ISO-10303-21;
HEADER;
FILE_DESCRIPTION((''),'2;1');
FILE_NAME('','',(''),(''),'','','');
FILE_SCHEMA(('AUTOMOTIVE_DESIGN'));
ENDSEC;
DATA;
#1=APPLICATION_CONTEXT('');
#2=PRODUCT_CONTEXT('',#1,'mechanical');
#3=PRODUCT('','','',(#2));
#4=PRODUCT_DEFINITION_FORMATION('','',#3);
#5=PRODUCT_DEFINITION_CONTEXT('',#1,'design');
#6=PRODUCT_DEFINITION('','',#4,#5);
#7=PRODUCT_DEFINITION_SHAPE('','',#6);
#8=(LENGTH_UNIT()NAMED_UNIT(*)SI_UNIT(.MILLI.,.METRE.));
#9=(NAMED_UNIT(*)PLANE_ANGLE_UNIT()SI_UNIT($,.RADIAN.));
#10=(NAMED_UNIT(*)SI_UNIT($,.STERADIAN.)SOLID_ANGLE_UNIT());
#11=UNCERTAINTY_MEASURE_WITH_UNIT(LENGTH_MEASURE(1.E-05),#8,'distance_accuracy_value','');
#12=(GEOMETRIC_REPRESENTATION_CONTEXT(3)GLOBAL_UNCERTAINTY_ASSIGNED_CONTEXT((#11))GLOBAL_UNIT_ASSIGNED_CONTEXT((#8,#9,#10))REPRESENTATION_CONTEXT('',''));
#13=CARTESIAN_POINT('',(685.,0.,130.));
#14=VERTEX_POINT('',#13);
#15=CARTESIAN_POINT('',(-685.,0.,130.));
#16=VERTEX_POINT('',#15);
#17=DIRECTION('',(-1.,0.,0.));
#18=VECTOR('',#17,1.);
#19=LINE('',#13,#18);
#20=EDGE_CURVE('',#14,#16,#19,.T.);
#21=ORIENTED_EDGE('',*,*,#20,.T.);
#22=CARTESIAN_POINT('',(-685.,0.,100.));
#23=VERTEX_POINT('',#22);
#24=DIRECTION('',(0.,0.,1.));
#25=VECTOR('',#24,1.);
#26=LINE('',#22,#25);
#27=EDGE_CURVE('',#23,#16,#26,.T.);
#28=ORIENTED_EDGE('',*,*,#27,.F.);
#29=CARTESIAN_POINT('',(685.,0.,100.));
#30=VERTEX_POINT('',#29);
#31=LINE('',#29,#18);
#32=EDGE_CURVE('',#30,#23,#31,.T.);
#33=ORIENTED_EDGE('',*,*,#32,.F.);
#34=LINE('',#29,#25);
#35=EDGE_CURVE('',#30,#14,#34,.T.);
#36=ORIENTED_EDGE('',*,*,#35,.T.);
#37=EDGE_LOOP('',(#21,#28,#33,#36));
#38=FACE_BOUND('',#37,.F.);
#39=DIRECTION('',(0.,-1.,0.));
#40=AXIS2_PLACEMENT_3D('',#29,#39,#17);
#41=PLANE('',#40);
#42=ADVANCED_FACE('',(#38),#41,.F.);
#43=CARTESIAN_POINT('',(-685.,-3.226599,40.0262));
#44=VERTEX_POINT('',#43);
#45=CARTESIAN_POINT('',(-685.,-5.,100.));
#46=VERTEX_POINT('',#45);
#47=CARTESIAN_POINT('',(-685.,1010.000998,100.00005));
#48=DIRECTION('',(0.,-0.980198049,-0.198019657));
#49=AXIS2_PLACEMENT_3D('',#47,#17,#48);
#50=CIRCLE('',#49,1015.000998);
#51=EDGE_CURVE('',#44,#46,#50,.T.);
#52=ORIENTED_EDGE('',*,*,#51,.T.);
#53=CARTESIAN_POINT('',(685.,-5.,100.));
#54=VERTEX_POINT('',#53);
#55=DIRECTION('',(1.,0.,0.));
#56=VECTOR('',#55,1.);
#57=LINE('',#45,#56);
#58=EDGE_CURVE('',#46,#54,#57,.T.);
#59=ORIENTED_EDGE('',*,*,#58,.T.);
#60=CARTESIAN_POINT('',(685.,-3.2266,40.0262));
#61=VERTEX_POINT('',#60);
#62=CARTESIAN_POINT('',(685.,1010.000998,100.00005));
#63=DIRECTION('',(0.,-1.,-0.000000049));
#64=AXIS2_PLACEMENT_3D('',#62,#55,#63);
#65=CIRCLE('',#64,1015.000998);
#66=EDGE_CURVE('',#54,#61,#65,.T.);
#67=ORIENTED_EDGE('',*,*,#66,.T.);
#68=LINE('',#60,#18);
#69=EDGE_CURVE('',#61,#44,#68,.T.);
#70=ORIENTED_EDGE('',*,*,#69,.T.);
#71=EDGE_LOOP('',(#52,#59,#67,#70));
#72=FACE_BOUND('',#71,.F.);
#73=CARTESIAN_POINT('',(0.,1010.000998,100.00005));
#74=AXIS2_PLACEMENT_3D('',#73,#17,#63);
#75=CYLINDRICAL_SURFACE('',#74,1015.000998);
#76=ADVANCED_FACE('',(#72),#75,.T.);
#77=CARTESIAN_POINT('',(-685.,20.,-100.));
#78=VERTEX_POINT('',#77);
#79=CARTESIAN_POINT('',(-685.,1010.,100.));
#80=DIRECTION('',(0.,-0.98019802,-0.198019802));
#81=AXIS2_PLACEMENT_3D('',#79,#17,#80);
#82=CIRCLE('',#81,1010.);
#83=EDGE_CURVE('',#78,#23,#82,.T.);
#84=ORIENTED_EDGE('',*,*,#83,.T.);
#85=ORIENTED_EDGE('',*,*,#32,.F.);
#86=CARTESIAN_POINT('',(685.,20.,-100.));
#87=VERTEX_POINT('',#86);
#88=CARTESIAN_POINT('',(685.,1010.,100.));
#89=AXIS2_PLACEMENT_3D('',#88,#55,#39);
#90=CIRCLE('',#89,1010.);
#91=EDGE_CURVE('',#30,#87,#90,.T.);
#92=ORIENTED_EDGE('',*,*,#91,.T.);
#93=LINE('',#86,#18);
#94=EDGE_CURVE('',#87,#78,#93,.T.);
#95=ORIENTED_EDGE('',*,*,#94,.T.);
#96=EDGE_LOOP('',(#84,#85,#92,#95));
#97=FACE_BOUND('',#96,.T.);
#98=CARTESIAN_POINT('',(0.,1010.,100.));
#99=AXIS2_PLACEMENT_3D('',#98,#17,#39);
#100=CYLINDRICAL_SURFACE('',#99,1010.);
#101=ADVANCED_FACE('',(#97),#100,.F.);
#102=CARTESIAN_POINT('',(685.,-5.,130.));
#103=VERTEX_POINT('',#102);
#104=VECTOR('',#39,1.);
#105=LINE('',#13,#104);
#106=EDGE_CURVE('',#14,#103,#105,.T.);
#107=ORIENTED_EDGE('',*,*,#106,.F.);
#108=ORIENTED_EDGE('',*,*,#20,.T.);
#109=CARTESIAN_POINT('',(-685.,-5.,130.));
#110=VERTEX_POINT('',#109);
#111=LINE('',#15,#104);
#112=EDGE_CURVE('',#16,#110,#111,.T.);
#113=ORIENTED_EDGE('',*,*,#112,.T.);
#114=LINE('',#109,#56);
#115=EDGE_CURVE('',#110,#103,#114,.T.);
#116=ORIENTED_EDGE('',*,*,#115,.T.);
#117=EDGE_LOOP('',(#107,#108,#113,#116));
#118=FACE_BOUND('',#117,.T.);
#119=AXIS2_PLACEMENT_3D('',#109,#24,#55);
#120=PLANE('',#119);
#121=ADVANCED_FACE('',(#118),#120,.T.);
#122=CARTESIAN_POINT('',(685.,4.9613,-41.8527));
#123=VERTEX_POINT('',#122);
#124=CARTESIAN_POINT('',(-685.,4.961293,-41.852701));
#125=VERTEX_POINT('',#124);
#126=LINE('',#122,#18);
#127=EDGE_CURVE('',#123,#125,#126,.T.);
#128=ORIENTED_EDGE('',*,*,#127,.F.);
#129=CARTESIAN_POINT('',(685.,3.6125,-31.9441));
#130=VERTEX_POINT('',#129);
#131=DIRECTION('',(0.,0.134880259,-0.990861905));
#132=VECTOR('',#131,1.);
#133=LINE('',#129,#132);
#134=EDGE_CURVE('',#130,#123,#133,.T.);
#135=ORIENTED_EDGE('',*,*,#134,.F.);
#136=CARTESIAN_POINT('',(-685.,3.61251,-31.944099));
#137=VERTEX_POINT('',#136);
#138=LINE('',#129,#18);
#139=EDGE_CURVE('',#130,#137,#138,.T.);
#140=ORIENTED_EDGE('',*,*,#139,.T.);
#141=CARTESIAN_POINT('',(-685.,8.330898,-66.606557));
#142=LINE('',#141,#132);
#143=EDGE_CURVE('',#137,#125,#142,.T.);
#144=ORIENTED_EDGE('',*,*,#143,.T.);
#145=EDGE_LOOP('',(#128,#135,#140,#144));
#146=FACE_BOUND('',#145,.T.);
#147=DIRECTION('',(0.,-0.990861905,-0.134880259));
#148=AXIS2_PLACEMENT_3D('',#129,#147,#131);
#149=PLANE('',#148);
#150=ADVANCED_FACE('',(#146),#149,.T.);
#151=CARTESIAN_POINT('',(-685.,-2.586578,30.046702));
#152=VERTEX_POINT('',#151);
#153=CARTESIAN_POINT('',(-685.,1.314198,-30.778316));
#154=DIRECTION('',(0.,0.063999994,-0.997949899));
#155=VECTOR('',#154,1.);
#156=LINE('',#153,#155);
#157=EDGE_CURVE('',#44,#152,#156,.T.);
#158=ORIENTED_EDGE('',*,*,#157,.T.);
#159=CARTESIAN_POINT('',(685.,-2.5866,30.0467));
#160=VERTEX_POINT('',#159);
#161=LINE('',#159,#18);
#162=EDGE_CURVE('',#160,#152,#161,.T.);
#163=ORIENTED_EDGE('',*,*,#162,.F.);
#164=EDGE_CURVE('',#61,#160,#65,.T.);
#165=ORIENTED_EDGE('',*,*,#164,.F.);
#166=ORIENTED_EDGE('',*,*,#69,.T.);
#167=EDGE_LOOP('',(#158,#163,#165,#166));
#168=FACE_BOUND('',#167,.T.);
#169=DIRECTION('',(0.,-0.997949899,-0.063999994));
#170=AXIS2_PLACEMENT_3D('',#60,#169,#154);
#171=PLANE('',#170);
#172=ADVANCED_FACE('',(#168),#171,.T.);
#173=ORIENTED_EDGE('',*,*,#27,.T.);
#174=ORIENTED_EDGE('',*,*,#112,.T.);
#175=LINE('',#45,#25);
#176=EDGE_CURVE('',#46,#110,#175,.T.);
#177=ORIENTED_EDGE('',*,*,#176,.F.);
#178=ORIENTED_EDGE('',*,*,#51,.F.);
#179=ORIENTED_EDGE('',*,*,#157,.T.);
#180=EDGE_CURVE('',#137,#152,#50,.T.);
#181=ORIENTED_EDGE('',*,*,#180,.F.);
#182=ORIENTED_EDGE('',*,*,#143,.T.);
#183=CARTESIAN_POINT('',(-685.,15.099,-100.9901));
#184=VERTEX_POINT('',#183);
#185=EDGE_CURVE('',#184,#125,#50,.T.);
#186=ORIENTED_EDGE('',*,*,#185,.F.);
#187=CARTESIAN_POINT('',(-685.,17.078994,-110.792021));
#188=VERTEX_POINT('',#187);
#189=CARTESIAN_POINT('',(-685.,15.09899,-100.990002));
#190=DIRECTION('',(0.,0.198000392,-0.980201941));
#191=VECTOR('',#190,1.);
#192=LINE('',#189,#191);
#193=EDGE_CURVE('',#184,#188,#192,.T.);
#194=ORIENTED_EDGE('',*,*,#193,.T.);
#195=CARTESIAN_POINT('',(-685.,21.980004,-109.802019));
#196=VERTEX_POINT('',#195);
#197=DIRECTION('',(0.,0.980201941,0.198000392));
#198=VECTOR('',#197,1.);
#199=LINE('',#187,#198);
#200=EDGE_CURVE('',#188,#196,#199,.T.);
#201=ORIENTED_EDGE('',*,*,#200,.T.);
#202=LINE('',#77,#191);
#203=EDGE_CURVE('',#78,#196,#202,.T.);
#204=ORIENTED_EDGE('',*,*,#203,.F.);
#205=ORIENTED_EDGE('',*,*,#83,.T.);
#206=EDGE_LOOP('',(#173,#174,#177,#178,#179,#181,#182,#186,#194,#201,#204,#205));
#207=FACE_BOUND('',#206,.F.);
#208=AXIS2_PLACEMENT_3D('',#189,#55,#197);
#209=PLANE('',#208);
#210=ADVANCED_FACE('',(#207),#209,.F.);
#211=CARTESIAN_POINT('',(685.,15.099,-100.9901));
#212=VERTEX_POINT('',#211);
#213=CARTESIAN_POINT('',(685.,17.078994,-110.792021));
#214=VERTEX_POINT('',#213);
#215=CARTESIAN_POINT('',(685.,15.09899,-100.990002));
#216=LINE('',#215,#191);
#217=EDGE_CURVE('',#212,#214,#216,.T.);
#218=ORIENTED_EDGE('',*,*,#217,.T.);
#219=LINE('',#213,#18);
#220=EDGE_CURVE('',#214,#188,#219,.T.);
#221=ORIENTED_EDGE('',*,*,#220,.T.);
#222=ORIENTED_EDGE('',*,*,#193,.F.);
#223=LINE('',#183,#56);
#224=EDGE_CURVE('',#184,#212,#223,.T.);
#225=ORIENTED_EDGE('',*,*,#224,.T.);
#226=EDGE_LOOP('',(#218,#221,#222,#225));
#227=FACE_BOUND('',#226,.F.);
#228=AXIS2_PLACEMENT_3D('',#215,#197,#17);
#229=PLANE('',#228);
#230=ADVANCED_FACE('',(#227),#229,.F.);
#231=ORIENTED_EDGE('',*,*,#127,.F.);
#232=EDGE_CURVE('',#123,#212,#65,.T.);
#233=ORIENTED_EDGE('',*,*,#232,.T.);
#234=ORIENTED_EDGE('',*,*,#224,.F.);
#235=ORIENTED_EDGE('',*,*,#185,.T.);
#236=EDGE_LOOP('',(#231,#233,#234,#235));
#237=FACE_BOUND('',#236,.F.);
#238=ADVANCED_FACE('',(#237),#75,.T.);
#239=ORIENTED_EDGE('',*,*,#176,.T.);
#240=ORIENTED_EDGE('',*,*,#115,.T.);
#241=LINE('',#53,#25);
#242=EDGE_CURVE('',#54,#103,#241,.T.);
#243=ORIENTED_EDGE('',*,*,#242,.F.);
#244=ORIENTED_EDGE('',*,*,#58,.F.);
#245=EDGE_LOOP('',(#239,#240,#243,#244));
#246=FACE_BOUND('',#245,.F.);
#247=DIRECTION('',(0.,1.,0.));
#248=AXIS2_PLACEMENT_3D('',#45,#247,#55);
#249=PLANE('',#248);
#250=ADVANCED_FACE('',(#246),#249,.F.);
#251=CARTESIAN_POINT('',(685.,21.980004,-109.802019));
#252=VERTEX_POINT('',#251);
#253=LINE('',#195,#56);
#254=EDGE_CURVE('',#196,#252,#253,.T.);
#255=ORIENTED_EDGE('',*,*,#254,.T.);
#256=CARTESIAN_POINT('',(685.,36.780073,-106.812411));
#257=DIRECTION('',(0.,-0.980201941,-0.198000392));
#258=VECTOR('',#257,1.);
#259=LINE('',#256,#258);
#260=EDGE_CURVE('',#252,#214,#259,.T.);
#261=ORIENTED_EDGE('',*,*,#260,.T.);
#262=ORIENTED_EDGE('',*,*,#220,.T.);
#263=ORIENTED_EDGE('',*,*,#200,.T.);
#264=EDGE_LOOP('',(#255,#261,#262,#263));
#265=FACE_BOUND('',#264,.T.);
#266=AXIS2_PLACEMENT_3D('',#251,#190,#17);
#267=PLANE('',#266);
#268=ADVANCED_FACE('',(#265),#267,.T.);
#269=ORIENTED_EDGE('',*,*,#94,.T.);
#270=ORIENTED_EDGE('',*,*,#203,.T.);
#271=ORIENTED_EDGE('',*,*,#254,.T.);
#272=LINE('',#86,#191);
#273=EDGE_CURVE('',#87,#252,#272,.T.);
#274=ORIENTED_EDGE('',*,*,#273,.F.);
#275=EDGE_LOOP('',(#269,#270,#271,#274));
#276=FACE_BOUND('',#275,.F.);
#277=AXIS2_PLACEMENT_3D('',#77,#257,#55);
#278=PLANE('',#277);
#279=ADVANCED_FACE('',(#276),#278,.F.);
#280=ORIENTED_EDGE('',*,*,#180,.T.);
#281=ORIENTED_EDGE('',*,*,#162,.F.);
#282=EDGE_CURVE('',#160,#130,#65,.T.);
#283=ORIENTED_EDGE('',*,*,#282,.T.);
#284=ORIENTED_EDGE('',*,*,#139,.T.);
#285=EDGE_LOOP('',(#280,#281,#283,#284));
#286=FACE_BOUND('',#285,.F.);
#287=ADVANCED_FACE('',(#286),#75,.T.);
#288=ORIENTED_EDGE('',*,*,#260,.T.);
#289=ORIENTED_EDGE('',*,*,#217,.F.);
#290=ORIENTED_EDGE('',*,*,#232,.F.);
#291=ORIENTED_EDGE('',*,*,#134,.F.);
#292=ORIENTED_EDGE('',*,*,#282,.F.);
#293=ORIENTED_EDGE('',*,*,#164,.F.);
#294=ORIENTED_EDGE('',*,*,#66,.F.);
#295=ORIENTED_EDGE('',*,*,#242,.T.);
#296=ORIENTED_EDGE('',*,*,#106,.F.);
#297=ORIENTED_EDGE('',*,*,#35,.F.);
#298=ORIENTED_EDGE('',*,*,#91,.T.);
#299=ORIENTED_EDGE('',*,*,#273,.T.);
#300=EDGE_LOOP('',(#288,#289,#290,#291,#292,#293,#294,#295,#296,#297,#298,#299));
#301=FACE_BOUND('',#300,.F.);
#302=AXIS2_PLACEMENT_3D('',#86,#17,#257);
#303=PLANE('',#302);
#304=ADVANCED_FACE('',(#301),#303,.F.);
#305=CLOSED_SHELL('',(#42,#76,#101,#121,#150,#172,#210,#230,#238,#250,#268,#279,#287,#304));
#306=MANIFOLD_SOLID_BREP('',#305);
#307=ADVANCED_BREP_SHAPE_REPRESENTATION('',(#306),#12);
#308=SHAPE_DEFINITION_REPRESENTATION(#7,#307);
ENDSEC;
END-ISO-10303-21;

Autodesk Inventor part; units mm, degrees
ref_plane "YZ Plane" through (0, 0, 0) normal (1, 0, 0) x (0, 1, 0)
ref_plane "XZ Plane" through (0, 0, 0) normal (0, 1, 0) x (-1, 0, 0)
ref_plane "XY Plane" through (0, 0, 0) normal (0, 0, 1) x (1, 0, 0)
sketch "スケッチ2" plane through (0, 0, 0) normal (1, 0, 0) x (0, 1, 0)
  arc A0 (-5, 100) -> (15.099, -100.9901) centre (1010, 100) ccw
  arc A1 (0, 100) -> (20, -100) centre (1010, 100) ccw
  line L0 (0, 100) -> (-5, 100)
  line L1 (20, -100) -> (15.099, -100.9901)
  line L2 (0, -141.7896) -> (0, 140.2983) projected
  line L3 (-214.0147, 0) -> (1214.0025, 0) projected
  point P0 (0, 0)
  dimension "d5" = 5
  dimension "d6" = 100
  dimension "d9" = 20
  dimension "d10" = 100
extrude "押し出し2" add sketch "スケッチ2" along normal mid plane 1370
sketch "スケッチ3" plane through (-685, -5, 100) normal (0, 0, 1) x (1, 0, 0)
  line L0 (0, 0) -> (1370, 0) projected
  line L1 (1370, 5) -> (1370, 0) projected
  line L2 (0, 0) -> (1370, 0)
  line L3 (1370, 0) -> (1370, 5)
  line L4 (1370, 5) -> (0, 5)
  line L5 (0, 5) -> (0, 0)
  point P0 (685, 5)
extrude "押し出し3" add sketch "スケッチ3" along normal blind 30
sketch "スケッチ4" plane through (685, 20, -100) normal (0, 0.198, -0.9802) x (-1, 0, 0)
  line L0 (0, 15.099) -> (0, -5) projected
  line L1 (1370, 0) -> (0, 0) projected
  line L2 (0, -5) -> (1370, -5)
  line L3 (1370, -5) -> (1370, 0)
  line L4 (1370, 0) -> (0, 0)
  line L5 (0, 0) -> (0, -5)
  point P0 (685, 0.198)
extrude "押し出し4" add sketch "スケッチ4" along normal blind 10
sketch "スケッチ5" plane through (685, 0, 0) normal (1, 0, 0) x (0, 0, -1)
  line L0 (-40.0262, -3.2266) -> (-30.0467, -2.5866)
  line L1 (31.9441, 3.6125) -> (41.8527, 4.9613)
  arc A0 (-100, -5) -> (100.9901, 15.099) centre (-100, 1010) ccw projected
  point P0 (0, 0)
  dimension "d15" = 10
  dimension "d16" = 10
  dimension "d17" = 60
  dimension "d18" = 60
extrude "押し出し5" cut sketch "スケッチ5" against normal through all
properties part number "base" material "CFRP"
